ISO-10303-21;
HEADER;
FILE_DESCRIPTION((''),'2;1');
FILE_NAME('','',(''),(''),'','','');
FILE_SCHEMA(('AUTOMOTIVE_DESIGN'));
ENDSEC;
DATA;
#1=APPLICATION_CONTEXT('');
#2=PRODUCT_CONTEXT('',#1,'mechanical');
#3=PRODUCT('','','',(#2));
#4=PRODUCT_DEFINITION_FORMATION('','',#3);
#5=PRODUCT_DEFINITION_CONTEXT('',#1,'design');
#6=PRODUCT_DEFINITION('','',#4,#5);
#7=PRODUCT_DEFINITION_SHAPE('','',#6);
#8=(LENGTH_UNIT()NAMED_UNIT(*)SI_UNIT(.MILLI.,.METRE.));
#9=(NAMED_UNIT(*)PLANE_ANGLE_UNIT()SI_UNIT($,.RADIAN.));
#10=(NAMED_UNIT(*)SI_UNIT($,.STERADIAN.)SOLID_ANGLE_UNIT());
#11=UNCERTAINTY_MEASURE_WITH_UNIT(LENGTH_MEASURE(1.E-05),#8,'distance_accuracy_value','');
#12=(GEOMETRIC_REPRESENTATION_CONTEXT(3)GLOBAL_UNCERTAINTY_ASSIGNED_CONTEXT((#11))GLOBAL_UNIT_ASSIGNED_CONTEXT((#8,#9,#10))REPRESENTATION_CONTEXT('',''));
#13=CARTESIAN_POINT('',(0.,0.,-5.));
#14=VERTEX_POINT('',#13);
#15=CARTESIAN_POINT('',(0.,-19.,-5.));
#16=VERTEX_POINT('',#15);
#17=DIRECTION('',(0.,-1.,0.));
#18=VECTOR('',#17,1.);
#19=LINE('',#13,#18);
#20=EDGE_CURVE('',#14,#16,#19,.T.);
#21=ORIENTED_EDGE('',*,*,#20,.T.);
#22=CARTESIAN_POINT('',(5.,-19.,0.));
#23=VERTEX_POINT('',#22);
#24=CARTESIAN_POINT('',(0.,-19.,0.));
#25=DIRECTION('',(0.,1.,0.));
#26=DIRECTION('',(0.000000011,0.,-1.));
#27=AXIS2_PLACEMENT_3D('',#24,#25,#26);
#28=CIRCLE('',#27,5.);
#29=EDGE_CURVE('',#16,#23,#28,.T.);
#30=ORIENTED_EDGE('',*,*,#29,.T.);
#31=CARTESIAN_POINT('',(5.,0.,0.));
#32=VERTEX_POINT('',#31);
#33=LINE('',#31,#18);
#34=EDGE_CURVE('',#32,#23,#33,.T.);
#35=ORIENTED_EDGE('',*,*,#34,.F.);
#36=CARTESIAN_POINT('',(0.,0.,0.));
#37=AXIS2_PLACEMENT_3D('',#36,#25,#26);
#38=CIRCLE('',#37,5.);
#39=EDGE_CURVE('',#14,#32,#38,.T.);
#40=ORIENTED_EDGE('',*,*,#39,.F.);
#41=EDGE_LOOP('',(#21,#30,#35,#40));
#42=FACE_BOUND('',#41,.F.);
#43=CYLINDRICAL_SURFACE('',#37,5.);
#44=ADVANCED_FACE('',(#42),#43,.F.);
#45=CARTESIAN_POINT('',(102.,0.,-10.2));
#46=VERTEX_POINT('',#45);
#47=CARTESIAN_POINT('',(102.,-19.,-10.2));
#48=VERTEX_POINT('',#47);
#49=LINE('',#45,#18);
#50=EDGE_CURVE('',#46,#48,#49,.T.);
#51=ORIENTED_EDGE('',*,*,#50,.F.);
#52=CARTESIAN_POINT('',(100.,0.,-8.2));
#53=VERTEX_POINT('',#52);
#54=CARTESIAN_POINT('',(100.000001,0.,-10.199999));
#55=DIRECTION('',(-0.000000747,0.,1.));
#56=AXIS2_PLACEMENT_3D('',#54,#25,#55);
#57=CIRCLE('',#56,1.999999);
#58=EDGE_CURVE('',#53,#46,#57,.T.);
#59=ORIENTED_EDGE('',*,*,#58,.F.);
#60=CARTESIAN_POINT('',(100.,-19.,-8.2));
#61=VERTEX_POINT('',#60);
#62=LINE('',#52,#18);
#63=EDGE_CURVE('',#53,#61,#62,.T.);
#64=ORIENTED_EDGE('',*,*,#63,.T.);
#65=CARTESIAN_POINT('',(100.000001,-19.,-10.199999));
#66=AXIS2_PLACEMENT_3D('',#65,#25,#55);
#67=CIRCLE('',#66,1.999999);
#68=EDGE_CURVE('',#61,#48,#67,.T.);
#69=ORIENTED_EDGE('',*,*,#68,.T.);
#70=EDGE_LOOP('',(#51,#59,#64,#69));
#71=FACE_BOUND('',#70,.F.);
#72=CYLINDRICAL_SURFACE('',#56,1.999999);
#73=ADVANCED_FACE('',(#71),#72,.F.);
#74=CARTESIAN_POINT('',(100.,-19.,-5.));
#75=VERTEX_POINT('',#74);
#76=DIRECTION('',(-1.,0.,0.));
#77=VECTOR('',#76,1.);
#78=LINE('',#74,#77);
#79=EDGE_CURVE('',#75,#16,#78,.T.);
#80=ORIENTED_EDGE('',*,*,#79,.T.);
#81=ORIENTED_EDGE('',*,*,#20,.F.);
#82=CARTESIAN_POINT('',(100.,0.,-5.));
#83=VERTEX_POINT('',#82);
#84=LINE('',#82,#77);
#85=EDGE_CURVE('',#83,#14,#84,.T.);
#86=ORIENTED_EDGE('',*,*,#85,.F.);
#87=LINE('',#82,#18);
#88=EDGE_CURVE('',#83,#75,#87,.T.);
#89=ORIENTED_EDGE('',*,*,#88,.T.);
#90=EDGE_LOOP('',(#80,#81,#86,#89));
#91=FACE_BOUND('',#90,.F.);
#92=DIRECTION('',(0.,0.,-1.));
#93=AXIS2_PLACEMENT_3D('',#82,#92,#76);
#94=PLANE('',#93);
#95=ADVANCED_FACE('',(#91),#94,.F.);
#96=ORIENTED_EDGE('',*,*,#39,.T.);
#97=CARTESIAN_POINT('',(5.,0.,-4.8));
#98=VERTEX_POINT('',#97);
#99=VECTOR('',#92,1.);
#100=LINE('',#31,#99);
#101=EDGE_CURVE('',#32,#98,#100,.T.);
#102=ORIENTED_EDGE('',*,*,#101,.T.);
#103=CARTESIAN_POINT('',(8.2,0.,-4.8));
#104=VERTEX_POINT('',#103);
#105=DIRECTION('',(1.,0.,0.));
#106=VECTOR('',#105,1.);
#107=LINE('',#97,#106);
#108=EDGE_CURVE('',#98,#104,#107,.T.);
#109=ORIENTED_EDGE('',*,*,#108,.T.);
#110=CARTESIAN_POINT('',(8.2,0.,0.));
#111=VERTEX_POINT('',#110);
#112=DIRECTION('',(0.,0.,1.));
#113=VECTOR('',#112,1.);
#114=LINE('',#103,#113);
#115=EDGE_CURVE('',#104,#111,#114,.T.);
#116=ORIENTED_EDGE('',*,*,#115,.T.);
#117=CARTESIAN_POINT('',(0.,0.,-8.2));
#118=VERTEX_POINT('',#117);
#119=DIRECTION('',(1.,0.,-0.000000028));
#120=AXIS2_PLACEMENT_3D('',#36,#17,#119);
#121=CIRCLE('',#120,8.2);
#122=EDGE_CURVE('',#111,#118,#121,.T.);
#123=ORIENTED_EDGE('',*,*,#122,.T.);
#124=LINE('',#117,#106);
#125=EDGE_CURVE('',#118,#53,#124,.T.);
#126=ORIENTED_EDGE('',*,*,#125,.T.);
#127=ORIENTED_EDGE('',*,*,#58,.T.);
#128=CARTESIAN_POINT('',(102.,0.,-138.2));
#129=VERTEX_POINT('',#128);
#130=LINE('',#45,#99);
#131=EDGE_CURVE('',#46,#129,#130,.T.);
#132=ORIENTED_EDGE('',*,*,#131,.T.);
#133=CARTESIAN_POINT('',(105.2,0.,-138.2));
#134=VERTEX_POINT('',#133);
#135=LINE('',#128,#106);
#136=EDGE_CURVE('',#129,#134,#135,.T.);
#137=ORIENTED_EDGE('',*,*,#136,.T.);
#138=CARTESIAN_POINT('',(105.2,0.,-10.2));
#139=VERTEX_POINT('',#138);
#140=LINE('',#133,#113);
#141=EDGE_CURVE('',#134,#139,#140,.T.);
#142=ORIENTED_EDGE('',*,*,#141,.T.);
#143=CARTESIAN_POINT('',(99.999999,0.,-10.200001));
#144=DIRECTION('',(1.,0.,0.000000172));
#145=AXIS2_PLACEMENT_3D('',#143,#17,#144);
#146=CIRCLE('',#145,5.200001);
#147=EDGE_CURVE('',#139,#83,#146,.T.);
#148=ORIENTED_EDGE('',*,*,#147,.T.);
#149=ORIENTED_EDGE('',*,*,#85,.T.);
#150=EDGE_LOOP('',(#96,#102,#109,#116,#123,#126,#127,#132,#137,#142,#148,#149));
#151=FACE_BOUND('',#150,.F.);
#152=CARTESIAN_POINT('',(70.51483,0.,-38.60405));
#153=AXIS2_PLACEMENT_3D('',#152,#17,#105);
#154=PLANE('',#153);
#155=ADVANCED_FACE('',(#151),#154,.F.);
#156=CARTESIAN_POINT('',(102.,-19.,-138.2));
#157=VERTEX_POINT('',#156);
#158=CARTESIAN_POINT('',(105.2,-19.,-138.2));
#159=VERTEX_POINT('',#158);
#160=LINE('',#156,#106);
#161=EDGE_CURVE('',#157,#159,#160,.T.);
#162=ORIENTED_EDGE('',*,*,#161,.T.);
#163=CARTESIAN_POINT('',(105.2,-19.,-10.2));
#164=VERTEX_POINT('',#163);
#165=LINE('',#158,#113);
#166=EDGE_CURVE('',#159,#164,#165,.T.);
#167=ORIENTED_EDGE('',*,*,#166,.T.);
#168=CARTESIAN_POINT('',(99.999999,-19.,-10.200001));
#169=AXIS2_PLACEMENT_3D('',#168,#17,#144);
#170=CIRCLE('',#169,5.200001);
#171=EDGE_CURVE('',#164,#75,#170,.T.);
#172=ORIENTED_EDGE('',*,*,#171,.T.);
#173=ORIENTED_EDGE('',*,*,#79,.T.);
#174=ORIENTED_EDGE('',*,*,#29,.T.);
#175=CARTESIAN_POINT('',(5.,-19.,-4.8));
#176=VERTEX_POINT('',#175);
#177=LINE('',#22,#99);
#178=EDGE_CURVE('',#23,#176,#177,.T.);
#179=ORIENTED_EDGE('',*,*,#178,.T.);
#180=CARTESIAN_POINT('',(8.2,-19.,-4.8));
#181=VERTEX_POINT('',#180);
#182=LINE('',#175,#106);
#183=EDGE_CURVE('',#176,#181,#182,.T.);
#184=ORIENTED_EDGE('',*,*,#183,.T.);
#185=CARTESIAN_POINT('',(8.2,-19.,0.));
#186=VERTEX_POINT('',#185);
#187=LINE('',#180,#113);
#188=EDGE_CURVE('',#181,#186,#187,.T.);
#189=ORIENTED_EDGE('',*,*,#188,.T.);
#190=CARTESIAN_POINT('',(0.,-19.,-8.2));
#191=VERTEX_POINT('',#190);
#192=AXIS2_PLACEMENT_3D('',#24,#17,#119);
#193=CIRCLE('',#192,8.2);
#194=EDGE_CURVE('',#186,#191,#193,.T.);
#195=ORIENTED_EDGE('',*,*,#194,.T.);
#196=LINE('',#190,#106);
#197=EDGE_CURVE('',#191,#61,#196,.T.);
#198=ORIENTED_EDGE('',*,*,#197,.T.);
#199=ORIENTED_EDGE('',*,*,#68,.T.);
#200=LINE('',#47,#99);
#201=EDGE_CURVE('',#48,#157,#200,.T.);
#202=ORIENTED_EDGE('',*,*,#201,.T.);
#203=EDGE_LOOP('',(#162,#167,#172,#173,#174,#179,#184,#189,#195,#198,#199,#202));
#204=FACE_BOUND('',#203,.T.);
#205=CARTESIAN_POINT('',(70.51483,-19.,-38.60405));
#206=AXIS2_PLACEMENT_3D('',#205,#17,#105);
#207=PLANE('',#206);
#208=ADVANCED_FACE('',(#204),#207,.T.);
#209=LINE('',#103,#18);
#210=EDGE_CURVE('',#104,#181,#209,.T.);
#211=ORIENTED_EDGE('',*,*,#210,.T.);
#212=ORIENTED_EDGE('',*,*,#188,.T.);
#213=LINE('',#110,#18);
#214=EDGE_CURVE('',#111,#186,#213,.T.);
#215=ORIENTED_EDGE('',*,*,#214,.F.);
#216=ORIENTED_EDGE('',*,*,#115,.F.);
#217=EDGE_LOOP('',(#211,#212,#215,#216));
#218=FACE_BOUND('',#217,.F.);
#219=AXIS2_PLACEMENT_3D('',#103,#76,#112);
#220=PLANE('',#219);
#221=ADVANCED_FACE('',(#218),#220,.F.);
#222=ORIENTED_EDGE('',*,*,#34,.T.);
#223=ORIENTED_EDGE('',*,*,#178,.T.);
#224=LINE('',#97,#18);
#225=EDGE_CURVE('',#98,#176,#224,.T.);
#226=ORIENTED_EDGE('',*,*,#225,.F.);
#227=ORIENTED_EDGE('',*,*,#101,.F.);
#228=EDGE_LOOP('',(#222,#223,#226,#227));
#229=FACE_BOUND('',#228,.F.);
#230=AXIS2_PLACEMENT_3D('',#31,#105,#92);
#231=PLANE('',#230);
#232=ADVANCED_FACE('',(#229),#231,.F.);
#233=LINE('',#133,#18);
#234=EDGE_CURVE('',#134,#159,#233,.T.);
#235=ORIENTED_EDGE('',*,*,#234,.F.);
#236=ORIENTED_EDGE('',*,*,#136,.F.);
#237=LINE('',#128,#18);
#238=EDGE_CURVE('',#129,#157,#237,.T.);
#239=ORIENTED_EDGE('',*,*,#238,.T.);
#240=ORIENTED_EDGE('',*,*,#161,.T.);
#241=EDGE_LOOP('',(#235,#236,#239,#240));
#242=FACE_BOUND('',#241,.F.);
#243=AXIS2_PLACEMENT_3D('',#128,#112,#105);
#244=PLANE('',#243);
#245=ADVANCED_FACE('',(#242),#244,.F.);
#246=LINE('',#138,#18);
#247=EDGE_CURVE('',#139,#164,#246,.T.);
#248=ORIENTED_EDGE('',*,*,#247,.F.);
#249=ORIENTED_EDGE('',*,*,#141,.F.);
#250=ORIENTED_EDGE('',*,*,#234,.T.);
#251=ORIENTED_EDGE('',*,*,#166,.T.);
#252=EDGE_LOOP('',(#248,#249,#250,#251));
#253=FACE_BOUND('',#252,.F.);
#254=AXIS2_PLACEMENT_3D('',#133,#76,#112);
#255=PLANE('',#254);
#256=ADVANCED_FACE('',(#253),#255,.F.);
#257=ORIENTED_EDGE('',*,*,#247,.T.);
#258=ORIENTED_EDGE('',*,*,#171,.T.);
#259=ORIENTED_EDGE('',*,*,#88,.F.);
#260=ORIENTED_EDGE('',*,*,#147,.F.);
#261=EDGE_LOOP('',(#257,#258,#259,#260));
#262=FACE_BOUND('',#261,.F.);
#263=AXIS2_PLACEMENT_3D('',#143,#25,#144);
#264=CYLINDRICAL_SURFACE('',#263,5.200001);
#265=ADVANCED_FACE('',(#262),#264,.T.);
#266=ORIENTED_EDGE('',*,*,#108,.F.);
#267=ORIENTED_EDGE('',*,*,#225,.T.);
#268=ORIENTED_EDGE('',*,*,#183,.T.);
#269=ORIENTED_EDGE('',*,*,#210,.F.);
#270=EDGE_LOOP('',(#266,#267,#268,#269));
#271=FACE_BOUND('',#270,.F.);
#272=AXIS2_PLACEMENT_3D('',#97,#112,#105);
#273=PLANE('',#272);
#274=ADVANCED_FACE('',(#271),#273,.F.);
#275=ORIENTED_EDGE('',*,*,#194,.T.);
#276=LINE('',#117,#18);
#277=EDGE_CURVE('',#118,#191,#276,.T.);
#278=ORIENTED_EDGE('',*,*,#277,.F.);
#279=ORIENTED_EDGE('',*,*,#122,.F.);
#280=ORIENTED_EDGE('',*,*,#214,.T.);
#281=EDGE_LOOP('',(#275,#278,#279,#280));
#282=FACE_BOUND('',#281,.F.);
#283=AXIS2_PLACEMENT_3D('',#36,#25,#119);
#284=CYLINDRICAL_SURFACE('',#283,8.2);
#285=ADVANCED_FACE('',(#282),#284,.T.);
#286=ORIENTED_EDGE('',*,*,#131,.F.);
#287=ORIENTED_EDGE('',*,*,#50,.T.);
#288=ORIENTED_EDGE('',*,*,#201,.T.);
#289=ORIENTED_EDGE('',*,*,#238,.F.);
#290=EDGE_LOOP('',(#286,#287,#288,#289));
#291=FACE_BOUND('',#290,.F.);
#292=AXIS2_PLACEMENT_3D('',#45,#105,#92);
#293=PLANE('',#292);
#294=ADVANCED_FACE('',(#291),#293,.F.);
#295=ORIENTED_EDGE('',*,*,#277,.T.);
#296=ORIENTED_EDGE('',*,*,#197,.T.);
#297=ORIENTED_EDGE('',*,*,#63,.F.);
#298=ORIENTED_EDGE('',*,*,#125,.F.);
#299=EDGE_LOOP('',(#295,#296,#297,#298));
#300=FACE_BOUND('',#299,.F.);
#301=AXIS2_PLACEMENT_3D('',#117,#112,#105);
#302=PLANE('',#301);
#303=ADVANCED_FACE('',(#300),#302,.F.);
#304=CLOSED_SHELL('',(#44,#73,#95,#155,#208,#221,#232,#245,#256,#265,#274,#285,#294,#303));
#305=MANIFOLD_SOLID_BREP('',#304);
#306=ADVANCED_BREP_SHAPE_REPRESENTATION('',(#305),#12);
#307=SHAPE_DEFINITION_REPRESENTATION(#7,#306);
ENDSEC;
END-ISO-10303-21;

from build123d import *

# Parameters (mm, degrees)
F1_DEPTH = 19


with BuildPart() as f1:
    # F0 (on Front) → F1 (new body)
    with BuildSketch(Plane.XZ):
        with BuildLine():
            ThreePointArc((0, -5), (-3.535534, 3.535534), (5, 0))
            Line((5, 0), (5, -4.8))
            Line((5, -4.8), (8.2, -4.8))
            Line((8.2, -4.8), (8.2, 0))
            ThreePointArc((8.2, 0), (-5.798276, 5.798276), (0, -8.2))
            Line((0, -8.2), (100, -8.2))
            ThreePointArc((100, -8.2), (101.414214, -8.785786), (102, -10.2))
            Line((102, -10.2), (102, -138.2))
            Line((102, -138.2), (105.2, -138.2))
            Line((105.2, -138.2), (105.2, -10.2))
            ThreePointArc((105.2, -10.2), (103.676955, -6.523045), (100, -5))
            Line((100, -5), (0, -5))
        make_face()
    extrude(amount=F1_DEPTH)


solid = f1.part
